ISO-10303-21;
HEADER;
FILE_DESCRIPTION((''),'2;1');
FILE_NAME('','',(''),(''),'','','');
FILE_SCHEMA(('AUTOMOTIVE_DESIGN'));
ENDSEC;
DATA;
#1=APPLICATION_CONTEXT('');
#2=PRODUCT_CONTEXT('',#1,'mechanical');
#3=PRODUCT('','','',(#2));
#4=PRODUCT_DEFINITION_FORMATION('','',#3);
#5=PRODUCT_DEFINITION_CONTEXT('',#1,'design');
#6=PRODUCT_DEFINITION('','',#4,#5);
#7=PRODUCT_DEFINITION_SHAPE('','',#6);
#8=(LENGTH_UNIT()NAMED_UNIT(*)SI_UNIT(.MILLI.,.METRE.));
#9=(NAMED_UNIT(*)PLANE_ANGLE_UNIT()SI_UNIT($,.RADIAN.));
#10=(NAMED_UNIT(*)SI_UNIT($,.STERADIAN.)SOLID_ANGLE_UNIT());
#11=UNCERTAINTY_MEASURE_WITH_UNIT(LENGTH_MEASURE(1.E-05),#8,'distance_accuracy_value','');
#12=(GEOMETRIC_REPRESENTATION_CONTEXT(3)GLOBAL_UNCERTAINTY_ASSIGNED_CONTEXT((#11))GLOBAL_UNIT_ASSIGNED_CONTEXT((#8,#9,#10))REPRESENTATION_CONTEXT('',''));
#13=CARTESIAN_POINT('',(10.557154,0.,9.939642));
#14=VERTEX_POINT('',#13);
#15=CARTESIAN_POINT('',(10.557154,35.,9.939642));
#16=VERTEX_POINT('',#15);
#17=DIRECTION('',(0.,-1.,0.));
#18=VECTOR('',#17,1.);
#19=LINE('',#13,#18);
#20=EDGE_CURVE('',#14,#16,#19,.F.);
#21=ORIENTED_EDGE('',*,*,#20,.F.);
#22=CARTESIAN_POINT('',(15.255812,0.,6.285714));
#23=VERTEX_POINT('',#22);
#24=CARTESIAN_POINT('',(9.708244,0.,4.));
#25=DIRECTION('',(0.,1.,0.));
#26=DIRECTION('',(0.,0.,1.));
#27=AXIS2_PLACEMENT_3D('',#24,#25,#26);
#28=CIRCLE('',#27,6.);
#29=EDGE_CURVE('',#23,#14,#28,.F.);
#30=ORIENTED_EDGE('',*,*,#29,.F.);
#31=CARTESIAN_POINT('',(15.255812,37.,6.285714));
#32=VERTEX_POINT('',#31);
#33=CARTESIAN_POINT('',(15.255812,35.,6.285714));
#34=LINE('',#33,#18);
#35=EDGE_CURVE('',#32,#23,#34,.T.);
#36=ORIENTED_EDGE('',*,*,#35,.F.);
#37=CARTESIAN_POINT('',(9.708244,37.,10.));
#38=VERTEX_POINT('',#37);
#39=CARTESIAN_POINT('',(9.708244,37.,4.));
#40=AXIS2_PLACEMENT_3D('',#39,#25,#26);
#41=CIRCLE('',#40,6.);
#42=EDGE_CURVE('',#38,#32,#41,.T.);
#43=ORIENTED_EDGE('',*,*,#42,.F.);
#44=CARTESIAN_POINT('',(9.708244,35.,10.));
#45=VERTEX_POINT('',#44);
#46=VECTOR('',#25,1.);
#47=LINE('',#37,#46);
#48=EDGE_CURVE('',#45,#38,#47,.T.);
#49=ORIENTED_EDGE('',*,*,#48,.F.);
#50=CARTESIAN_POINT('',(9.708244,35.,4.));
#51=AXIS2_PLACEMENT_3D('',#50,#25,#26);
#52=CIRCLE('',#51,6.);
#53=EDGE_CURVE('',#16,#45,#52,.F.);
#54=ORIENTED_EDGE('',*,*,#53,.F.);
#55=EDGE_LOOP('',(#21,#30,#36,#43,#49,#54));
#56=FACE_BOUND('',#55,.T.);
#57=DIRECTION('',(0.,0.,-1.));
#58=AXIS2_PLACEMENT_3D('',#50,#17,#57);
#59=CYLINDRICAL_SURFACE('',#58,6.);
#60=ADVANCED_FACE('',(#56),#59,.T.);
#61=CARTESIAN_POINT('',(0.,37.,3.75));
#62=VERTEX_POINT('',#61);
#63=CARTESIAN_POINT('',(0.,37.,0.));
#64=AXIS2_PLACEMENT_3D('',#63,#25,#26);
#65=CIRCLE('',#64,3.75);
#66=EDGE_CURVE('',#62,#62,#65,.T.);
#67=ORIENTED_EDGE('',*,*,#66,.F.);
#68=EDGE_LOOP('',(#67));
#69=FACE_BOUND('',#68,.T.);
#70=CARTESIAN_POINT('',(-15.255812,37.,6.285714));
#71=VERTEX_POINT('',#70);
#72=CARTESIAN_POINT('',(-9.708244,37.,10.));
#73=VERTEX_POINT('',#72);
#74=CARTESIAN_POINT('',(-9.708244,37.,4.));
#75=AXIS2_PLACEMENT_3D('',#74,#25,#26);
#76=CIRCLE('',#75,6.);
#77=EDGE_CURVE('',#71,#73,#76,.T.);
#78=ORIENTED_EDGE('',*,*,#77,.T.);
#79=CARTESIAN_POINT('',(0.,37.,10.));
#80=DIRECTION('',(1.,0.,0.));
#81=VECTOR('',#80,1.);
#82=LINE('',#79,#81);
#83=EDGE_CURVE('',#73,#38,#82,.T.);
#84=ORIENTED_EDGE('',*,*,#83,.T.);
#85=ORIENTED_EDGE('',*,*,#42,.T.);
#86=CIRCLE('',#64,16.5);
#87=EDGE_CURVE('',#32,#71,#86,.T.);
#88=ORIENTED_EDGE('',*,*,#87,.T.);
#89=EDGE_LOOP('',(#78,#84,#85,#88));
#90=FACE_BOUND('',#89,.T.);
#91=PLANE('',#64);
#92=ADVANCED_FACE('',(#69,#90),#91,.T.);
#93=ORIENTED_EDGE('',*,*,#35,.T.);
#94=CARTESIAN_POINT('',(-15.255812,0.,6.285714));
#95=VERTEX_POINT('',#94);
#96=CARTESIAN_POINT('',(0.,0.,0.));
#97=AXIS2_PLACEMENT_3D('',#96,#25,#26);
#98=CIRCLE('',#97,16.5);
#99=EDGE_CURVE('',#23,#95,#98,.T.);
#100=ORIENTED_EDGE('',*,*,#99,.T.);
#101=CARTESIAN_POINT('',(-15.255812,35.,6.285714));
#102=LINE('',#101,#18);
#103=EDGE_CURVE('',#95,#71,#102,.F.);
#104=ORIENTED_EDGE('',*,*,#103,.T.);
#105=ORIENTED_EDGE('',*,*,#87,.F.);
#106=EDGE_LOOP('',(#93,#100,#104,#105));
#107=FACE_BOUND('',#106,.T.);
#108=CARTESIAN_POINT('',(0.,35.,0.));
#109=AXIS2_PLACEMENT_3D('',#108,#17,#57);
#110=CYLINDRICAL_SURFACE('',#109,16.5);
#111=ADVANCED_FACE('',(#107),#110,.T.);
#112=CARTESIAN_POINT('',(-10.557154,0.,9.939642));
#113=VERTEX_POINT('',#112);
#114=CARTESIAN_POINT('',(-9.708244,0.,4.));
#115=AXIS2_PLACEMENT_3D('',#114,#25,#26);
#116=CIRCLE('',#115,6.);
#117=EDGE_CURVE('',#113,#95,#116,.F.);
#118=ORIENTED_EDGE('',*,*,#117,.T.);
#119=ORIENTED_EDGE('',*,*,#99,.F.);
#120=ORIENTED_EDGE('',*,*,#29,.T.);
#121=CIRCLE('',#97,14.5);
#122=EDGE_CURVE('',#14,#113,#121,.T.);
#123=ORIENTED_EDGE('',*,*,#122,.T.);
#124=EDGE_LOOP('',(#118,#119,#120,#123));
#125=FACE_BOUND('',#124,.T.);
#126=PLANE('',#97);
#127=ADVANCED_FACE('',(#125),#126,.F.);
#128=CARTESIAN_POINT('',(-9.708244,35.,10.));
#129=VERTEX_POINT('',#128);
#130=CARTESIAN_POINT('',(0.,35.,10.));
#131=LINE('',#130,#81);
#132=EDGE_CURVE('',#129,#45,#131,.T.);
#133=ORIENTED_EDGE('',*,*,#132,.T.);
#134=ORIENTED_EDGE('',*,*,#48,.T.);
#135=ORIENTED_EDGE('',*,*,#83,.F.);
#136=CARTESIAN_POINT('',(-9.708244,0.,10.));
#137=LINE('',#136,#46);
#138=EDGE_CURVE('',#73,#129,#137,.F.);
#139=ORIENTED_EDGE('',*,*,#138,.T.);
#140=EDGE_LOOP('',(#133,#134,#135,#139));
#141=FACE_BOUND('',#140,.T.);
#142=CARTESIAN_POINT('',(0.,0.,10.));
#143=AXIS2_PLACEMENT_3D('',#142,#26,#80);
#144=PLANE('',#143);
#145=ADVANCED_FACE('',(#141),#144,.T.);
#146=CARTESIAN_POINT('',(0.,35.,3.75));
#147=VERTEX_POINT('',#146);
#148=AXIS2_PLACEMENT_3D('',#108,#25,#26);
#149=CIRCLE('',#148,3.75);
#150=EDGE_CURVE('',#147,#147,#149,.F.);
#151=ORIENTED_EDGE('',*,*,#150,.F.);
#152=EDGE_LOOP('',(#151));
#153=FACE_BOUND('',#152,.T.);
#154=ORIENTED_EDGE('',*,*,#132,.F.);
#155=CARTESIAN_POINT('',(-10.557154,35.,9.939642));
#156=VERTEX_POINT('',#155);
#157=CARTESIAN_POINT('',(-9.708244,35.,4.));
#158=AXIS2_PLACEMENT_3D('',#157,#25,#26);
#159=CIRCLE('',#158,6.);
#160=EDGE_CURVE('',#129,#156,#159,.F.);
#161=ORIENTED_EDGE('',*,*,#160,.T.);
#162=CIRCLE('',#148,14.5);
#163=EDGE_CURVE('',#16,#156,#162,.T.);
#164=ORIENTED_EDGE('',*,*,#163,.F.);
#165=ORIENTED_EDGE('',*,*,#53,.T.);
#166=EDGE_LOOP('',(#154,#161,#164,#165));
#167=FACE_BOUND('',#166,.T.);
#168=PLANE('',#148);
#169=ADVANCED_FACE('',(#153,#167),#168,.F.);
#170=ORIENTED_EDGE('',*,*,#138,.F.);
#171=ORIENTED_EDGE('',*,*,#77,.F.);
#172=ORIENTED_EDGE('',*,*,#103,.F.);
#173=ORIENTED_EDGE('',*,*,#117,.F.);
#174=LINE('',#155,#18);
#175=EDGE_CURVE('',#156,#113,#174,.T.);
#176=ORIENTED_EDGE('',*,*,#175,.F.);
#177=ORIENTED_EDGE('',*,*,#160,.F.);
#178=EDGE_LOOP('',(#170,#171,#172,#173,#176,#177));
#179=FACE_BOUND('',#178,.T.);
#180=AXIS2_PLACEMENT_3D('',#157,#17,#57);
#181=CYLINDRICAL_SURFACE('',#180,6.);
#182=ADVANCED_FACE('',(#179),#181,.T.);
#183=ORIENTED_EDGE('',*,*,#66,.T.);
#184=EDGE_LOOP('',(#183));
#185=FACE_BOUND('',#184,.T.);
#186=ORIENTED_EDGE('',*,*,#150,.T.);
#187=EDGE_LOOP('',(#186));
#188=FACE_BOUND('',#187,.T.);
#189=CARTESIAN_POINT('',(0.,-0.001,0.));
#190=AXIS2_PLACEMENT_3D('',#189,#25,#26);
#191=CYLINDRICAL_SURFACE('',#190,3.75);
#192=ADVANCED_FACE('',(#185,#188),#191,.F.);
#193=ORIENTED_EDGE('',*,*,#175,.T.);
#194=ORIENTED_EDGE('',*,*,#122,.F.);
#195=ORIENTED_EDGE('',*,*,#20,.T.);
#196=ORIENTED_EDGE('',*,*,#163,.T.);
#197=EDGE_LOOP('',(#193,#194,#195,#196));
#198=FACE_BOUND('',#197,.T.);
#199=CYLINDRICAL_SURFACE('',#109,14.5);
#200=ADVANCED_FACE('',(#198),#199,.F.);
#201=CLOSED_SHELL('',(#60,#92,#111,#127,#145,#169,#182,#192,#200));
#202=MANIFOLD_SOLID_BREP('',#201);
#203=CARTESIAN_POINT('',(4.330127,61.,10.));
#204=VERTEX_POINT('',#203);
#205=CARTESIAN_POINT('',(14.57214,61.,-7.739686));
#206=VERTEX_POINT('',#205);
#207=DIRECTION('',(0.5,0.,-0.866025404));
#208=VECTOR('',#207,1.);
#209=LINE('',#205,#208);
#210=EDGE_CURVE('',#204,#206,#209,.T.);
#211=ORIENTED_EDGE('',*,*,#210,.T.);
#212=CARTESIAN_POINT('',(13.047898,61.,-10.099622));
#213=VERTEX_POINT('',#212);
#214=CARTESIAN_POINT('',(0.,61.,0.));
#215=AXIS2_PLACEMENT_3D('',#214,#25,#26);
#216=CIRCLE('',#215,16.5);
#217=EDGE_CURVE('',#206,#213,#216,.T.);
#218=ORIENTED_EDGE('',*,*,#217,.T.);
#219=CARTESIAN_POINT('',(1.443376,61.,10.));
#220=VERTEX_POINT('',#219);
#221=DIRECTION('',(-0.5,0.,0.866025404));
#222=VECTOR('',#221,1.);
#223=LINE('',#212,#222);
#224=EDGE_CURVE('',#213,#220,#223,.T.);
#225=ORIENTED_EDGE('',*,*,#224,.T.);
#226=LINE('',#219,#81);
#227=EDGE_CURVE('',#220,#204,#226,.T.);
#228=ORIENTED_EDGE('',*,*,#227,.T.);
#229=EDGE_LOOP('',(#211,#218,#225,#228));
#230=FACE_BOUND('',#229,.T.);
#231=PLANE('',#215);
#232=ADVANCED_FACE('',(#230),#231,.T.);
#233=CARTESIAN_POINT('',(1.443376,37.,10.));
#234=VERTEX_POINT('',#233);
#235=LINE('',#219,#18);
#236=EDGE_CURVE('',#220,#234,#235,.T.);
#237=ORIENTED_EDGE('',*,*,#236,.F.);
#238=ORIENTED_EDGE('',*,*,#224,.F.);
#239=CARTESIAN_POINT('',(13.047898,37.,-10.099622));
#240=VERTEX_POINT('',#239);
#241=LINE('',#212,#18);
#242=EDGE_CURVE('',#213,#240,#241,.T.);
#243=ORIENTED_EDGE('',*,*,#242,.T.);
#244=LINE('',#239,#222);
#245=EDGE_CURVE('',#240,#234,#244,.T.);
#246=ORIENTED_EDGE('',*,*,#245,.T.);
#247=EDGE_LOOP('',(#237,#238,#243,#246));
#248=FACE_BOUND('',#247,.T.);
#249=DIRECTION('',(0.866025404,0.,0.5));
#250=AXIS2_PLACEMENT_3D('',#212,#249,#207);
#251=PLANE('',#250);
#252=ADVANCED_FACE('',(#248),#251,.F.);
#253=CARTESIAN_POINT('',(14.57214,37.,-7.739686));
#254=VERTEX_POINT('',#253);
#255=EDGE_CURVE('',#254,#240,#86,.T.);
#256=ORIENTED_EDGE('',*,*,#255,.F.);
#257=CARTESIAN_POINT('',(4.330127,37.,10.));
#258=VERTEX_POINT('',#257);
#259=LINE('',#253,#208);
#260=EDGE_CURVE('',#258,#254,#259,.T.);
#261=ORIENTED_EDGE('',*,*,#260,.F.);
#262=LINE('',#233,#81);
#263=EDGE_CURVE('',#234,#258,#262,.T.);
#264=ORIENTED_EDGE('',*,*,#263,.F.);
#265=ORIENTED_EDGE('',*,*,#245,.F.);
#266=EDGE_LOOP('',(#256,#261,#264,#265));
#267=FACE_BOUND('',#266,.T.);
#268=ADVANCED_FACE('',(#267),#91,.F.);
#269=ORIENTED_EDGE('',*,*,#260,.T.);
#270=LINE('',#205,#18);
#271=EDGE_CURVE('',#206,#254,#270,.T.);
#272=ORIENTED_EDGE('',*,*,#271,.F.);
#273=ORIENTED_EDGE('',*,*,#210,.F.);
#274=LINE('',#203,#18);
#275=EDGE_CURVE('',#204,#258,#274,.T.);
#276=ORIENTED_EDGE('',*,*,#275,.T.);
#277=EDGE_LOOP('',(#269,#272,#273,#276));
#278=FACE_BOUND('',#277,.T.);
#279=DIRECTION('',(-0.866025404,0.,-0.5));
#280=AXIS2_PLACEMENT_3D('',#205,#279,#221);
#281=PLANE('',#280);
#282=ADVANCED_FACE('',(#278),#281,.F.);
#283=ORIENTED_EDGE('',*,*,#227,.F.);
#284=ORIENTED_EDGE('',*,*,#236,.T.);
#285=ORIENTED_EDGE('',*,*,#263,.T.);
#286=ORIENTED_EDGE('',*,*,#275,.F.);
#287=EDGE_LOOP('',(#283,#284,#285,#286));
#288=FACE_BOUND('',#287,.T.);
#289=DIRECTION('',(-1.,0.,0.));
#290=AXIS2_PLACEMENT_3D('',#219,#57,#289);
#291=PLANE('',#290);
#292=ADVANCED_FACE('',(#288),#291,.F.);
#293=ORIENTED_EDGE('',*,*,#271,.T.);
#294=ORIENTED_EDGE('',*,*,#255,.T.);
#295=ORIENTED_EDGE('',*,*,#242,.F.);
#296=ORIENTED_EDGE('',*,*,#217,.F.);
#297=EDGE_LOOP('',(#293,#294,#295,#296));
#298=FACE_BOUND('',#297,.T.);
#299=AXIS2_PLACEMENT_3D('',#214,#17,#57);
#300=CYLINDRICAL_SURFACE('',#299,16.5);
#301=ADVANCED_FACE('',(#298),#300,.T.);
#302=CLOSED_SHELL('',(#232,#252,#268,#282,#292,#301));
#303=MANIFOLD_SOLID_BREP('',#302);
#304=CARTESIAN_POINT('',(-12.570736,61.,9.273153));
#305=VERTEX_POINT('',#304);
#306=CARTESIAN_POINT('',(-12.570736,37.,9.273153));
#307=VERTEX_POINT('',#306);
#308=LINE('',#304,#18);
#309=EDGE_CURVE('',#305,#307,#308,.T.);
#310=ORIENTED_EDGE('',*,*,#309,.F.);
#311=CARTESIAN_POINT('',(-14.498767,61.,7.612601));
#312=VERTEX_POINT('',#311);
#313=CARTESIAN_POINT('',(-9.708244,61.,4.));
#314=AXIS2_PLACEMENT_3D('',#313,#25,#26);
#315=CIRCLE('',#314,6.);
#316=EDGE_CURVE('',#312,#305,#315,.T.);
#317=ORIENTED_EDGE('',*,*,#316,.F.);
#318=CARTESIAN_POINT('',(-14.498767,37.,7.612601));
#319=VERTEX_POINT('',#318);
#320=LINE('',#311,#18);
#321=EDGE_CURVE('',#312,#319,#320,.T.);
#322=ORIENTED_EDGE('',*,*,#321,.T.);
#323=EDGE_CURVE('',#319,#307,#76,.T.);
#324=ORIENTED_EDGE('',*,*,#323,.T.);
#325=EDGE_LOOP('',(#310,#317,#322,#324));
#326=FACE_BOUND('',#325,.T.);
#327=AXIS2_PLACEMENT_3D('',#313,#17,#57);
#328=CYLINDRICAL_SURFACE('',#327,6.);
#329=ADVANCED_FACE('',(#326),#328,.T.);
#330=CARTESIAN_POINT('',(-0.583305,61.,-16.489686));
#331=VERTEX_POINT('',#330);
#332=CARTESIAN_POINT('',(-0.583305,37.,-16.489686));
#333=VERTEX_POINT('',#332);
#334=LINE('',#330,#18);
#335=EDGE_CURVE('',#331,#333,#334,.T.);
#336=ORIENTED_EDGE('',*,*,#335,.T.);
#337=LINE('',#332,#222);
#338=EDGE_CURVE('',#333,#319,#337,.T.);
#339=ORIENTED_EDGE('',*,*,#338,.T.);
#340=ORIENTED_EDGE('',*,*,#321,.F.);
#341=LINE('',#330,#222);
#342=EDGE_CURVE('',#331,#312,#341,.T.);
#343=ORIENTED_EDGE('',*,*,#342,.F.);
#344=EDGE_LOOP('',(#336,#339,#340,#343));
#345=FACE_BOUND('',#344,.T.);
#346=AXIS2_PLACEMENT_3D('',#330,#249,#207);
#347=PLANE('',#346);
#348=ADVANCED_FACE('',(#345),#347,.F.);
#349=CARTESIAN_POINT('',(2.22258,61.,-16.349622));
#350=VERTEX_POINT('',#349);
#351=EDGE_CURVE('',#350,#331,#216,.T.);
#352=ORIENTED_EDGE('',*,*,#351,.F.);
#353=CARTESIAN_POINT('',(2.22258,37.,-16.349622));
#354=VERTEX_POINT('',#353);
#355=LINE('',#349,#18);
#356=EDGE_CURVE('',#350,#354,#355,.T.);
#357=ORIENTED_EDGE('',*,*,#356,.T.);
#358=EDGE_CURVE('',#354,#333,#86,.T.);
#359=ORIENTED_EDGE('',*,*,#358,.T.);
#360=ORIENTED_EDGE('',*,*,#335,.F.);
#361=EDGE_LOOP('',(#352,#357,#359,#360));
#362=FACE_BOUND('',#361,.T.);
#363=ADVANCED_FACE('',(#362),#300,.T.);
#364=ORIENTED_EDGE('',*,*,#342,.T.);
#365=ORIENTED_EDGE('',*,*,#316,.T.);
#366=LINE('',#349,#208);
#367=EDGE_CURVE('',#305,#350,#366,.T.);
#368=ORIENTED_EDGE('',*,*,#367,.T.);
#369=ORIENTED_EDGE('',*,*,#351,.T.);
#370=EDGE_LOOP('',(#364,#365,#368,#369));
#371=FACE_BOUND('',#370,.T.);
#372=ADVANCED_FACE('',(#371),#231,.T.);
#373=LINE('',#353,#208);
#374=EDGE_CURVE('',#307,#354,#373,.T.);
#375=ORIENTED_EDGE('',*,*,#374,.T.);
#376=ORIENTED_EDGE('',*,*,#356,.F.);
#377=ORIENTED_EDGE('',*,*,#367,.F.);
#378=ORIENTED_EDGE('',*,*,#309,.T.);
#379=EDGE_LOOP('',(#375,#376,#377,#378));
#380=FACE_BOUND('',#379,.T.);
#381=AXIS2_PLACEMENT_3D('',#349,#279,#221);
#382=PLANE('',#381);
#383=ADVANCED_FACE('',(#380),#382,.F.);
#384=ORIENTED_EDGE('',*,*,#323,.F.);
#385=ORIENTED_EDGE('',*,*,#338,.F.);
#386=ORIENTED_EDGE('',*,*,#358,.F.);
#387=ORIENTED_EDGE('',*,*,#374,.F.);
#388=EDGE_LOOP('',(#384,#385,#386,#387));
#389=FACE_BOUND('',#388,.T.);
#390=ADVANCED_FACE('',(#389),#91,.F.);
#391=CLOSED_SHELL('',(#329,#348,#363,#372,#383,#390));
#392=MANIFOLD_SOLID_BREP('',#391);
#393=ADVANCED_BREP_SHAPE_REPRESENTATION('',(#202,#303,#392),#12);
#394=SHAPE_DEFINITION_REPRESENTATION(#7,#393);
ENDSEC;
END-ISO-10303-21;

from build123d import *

# Parameters (mm, degrees)
SKETCH_1_R          = 16.5
SKETCH_1_R_2        = 14.5
EXTRUDE_1_DEPTH     = 35
SKETCH_3_R          = 16.5
EXTRUDE_2_DEPTH     = 2
SKETCH_4_W          = 49.747728002
SKETCH_4_H          = 43.690708299
CUT_EXTRUDE_1_DEPTH = 49.40970977
CUT_EXTRUDE_2_REACH = 45.744
SKETCH_5_R          = 3.75
FILLET_1_R          = 6
EXTRUDE_3_DEPTH     = 24
EXTRUDE_3_2_DEPTH   = 24


with BuildPart() as part:
    # 草图1 → 凸台-拉伸1 (new body)
    with BuildSketch(Plane(origin=(0, 0, 0), x_dir=(1, 0, 0), z_dir=(0, 1, 0))):
        with Locations(Location((0, 0, 0), (0, 0, 270))):
            Circle(SKETCH_1_R)
        with Locations(Location((0, 0, 0), (0, 0, 270))):
            Circle(SKETCH_1_R_2, mode=Mode.SUBTRACT)
    extrude(amount=EXTRUDE_1_DEPTH)

    # 草图3 → 凸台-拉伸2 (add)
    with BuildSketch(Plane(origin=(0, 35, 0), x_dir=(1, 0, 0), z_dir=(0, 1, 0))):
        with Locations(Location((0, 0, 0), (0, 0, 270))):
            Circle(SKETCH_3_R)
    extrude(amount=EXTRUDE_2_DEPTH)

    # 草图4 → 切除-拉伸1 (cut, through all)
    with BuildSketch(Plane.XY.offset(10)):
        with Locations((3.540684312, 17.876483266)):
            Rectangle(SKETCH_4_W, SKETCH_4_H)
    extrude(amount=CUT_EXTRUDE_1_DEPTH, mode=Mode.SUBTRACT)

    # 草图5 → 切除-拉伸2 (cut, up to next)
    with BuildSketch(Plane(origin=(0, 37, 0), x_dir=(1, 0, 0), z_dir=(0, 1, 0)), mode=Mode.PRIVATE) as cut_extrude_2_sk1:
        with Locations(Location((0, 0, 0), (0, 0, 270))):
            Circle(SKETCH_5_R)
    cut_extrude_2_tool1 = extrude(cut_extrude_2_sk1.sketch, amount=-CUT_EXTRUDE_2_REACH, mode=Mode.PRIVATE) & part.part
    add(cut_extrude_2_tool1.solids().sort_by_distance((0, 37, 0))[0], mode=Mode.SUBTRACT)

    # 圆角1
    fillet_1_edges = [part.edges().sort_by_distance(p)[0] for p in [
        (13.124404748, 18.5, 10),
        (-13.124404748, 18.5, 10),
    ]]
    fillet(fillet_1_edges, radius=FILLET_1_R)


with BuildPart() as body_2:
    # 草图6 → 凸台-拉伸3 (new body)
    with BuildSketch(Plane(origin=(0, 37, 0), x_dir=(1, 0, 0), z_dir=(0, 1, 0))):
        with BuildLine():
            Line((13.047897801, 10.099621923), (1.443375673, -10))
            Line((1.443375673, -10), (4.330127019, -10))
            Line((4.330127019, -10), (14.5721397, 7.739686335))
            ThreePointArc((14.5721397, 7.739686335), (13.860337004, 8.952153826), (13.047897801, 10.099621923))
        make_face()
    extrude(amount=EXTRUDE_3_DEPTH)


with BuildPart() as body_3:
    # 草图6 → Extrude 3 2 (new body)
    with BuildSketch(Plane(origin=(0, 37, 0), x_dir=(1, 0, 0), z_dir=(0, 1, 0))):
        with BuildLine():
            Line((-0.583304866, 16.489686335), (-14.498767089, -7.612601246))
            ThreePointArc((-14.498767089, -7.612601246), (-13.623792058, -8.546260307), (-12.570735662, -9.273152854))
            Line((-12.570735662, -9.273152854), (2.222580253, 16.349621923))
            ThreePointArc((2.222580253, 16.349621923), (0.82262413, 16.479480864), (-0.583304866, 16.489686335))
        make_face()
    extrude(amount=EXTRUDE_3_2_DEPTH)


solid = Compound([part.part, body_2.part, body_3.part])
